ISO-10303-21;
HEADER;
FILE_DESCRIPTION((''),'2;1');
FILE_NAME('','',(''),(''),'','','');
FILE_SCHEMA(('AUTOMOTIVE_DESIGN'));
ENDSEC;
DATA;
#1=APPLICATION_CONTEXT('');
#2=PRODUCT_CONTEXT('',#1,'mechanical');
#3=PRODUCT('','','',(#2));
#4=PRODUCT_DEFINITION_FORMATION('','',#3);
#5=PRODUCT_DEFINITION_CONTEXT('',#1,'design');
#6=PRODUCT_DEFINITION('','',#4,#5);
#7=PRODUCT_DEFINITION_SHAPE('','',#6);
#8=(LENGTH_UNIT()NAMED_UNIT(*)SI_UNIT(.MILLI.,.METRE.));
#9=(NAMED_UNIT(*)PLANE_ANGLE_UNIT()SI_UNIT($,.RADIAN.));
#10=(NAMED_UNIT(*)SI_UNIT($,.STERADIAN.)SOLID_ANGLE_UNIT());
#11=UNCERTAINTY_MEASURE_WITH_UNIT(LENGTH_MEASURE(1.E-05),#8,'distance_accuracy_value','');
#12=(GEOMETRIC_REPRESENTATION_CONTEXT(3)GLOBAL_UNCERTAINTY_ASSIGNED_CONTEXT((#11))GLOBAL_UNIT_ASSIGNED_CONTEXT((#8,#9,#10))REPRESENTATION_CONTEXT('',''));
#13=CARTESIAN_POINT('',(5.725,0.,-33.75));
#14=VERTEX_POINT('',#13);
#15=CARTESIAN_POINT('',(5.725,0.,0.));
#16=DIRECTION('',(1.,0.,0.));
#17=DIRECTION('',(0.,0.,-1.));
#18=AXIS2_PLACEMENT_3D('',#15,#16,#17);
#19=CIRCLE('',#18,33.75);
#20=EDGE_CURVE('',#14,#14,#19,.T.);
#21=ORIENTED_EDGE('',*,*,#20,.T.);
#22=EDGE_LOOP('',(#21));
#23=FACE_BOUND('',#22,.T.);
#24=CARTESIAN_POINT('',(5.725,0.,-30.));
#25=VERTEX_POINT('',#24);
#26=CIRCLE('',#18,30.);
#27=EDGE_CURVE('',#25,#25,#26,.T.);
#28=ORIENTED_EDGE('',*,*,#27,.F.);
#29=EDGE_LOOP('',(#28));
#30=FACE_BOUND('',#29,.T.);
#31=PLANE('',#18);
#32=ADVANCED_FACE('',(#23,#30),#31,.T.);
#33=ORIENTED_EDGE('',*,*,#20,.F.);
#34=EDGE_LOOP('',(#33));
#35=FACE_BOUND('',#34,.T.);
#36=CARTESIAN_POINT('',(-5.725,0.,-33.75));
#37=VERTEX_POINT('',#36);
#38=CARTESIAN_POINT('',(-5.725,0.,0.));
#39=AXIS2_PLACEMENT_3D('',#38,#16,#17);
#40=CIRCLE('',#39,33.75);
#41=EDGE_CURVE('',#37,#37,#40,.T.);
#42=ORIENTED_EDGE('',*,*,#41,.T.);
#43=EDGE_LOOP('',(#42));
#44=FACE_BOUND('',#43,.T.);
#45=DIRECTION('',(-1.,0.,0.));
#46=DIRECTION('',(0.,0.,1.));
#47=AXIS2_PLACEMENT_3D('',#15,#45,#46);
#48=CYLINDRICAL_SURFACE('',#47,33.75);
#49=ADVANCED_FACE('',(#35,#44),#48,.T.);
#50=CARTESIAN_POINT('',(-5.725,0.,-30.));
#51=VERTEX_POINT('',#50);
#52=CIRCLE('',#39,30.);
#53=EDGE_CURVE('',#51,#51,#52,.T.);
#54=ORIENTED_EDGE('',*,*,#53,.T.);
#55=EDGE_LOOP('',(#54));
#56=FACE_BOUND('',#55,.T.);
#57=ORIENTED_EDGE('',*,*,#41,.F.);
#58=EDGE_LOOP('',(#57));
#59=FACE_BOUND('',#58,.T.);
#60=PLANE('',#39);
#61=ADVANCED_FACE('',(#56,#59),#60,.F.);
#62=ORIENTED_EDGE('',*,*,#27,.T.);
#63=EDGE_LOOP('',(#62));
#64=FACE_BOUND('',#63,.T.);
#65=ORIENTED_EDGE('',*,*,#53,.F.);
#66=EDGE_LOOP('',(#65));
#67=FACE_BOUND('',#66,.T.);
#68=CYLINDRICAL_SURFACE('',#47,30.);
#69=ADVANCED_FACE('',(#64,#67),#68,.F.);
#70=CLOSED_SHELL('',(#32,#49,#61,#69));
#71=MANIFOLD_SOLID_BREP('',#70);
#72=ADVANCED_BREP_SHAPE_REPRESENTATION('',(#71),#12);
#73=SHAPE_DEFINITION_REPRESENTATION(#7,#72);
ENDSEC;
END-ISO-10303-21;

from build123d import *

# Parameters (mm, degrees)
SKETCH1_R      = 33.75
SKETCH1_R_2    = 30
EXTRUDE1_DEPTH = 5.725


with BuildPart() as part:
    # Sketch1 → Extrude1 (new, symmetric)
    with BuildSketch(Plane(origin=(0, 0, 0), x_dir=(0, 0, -1), z_dir=(1, 0, 0))):
        Circle(SKETCH1_R)
        Circle(SKETCH1_R_2, mode=Mode.SUBTRACT)
    extrude(amount=EXTRUDE1_DEPTH, both=True)


solid = part.part
